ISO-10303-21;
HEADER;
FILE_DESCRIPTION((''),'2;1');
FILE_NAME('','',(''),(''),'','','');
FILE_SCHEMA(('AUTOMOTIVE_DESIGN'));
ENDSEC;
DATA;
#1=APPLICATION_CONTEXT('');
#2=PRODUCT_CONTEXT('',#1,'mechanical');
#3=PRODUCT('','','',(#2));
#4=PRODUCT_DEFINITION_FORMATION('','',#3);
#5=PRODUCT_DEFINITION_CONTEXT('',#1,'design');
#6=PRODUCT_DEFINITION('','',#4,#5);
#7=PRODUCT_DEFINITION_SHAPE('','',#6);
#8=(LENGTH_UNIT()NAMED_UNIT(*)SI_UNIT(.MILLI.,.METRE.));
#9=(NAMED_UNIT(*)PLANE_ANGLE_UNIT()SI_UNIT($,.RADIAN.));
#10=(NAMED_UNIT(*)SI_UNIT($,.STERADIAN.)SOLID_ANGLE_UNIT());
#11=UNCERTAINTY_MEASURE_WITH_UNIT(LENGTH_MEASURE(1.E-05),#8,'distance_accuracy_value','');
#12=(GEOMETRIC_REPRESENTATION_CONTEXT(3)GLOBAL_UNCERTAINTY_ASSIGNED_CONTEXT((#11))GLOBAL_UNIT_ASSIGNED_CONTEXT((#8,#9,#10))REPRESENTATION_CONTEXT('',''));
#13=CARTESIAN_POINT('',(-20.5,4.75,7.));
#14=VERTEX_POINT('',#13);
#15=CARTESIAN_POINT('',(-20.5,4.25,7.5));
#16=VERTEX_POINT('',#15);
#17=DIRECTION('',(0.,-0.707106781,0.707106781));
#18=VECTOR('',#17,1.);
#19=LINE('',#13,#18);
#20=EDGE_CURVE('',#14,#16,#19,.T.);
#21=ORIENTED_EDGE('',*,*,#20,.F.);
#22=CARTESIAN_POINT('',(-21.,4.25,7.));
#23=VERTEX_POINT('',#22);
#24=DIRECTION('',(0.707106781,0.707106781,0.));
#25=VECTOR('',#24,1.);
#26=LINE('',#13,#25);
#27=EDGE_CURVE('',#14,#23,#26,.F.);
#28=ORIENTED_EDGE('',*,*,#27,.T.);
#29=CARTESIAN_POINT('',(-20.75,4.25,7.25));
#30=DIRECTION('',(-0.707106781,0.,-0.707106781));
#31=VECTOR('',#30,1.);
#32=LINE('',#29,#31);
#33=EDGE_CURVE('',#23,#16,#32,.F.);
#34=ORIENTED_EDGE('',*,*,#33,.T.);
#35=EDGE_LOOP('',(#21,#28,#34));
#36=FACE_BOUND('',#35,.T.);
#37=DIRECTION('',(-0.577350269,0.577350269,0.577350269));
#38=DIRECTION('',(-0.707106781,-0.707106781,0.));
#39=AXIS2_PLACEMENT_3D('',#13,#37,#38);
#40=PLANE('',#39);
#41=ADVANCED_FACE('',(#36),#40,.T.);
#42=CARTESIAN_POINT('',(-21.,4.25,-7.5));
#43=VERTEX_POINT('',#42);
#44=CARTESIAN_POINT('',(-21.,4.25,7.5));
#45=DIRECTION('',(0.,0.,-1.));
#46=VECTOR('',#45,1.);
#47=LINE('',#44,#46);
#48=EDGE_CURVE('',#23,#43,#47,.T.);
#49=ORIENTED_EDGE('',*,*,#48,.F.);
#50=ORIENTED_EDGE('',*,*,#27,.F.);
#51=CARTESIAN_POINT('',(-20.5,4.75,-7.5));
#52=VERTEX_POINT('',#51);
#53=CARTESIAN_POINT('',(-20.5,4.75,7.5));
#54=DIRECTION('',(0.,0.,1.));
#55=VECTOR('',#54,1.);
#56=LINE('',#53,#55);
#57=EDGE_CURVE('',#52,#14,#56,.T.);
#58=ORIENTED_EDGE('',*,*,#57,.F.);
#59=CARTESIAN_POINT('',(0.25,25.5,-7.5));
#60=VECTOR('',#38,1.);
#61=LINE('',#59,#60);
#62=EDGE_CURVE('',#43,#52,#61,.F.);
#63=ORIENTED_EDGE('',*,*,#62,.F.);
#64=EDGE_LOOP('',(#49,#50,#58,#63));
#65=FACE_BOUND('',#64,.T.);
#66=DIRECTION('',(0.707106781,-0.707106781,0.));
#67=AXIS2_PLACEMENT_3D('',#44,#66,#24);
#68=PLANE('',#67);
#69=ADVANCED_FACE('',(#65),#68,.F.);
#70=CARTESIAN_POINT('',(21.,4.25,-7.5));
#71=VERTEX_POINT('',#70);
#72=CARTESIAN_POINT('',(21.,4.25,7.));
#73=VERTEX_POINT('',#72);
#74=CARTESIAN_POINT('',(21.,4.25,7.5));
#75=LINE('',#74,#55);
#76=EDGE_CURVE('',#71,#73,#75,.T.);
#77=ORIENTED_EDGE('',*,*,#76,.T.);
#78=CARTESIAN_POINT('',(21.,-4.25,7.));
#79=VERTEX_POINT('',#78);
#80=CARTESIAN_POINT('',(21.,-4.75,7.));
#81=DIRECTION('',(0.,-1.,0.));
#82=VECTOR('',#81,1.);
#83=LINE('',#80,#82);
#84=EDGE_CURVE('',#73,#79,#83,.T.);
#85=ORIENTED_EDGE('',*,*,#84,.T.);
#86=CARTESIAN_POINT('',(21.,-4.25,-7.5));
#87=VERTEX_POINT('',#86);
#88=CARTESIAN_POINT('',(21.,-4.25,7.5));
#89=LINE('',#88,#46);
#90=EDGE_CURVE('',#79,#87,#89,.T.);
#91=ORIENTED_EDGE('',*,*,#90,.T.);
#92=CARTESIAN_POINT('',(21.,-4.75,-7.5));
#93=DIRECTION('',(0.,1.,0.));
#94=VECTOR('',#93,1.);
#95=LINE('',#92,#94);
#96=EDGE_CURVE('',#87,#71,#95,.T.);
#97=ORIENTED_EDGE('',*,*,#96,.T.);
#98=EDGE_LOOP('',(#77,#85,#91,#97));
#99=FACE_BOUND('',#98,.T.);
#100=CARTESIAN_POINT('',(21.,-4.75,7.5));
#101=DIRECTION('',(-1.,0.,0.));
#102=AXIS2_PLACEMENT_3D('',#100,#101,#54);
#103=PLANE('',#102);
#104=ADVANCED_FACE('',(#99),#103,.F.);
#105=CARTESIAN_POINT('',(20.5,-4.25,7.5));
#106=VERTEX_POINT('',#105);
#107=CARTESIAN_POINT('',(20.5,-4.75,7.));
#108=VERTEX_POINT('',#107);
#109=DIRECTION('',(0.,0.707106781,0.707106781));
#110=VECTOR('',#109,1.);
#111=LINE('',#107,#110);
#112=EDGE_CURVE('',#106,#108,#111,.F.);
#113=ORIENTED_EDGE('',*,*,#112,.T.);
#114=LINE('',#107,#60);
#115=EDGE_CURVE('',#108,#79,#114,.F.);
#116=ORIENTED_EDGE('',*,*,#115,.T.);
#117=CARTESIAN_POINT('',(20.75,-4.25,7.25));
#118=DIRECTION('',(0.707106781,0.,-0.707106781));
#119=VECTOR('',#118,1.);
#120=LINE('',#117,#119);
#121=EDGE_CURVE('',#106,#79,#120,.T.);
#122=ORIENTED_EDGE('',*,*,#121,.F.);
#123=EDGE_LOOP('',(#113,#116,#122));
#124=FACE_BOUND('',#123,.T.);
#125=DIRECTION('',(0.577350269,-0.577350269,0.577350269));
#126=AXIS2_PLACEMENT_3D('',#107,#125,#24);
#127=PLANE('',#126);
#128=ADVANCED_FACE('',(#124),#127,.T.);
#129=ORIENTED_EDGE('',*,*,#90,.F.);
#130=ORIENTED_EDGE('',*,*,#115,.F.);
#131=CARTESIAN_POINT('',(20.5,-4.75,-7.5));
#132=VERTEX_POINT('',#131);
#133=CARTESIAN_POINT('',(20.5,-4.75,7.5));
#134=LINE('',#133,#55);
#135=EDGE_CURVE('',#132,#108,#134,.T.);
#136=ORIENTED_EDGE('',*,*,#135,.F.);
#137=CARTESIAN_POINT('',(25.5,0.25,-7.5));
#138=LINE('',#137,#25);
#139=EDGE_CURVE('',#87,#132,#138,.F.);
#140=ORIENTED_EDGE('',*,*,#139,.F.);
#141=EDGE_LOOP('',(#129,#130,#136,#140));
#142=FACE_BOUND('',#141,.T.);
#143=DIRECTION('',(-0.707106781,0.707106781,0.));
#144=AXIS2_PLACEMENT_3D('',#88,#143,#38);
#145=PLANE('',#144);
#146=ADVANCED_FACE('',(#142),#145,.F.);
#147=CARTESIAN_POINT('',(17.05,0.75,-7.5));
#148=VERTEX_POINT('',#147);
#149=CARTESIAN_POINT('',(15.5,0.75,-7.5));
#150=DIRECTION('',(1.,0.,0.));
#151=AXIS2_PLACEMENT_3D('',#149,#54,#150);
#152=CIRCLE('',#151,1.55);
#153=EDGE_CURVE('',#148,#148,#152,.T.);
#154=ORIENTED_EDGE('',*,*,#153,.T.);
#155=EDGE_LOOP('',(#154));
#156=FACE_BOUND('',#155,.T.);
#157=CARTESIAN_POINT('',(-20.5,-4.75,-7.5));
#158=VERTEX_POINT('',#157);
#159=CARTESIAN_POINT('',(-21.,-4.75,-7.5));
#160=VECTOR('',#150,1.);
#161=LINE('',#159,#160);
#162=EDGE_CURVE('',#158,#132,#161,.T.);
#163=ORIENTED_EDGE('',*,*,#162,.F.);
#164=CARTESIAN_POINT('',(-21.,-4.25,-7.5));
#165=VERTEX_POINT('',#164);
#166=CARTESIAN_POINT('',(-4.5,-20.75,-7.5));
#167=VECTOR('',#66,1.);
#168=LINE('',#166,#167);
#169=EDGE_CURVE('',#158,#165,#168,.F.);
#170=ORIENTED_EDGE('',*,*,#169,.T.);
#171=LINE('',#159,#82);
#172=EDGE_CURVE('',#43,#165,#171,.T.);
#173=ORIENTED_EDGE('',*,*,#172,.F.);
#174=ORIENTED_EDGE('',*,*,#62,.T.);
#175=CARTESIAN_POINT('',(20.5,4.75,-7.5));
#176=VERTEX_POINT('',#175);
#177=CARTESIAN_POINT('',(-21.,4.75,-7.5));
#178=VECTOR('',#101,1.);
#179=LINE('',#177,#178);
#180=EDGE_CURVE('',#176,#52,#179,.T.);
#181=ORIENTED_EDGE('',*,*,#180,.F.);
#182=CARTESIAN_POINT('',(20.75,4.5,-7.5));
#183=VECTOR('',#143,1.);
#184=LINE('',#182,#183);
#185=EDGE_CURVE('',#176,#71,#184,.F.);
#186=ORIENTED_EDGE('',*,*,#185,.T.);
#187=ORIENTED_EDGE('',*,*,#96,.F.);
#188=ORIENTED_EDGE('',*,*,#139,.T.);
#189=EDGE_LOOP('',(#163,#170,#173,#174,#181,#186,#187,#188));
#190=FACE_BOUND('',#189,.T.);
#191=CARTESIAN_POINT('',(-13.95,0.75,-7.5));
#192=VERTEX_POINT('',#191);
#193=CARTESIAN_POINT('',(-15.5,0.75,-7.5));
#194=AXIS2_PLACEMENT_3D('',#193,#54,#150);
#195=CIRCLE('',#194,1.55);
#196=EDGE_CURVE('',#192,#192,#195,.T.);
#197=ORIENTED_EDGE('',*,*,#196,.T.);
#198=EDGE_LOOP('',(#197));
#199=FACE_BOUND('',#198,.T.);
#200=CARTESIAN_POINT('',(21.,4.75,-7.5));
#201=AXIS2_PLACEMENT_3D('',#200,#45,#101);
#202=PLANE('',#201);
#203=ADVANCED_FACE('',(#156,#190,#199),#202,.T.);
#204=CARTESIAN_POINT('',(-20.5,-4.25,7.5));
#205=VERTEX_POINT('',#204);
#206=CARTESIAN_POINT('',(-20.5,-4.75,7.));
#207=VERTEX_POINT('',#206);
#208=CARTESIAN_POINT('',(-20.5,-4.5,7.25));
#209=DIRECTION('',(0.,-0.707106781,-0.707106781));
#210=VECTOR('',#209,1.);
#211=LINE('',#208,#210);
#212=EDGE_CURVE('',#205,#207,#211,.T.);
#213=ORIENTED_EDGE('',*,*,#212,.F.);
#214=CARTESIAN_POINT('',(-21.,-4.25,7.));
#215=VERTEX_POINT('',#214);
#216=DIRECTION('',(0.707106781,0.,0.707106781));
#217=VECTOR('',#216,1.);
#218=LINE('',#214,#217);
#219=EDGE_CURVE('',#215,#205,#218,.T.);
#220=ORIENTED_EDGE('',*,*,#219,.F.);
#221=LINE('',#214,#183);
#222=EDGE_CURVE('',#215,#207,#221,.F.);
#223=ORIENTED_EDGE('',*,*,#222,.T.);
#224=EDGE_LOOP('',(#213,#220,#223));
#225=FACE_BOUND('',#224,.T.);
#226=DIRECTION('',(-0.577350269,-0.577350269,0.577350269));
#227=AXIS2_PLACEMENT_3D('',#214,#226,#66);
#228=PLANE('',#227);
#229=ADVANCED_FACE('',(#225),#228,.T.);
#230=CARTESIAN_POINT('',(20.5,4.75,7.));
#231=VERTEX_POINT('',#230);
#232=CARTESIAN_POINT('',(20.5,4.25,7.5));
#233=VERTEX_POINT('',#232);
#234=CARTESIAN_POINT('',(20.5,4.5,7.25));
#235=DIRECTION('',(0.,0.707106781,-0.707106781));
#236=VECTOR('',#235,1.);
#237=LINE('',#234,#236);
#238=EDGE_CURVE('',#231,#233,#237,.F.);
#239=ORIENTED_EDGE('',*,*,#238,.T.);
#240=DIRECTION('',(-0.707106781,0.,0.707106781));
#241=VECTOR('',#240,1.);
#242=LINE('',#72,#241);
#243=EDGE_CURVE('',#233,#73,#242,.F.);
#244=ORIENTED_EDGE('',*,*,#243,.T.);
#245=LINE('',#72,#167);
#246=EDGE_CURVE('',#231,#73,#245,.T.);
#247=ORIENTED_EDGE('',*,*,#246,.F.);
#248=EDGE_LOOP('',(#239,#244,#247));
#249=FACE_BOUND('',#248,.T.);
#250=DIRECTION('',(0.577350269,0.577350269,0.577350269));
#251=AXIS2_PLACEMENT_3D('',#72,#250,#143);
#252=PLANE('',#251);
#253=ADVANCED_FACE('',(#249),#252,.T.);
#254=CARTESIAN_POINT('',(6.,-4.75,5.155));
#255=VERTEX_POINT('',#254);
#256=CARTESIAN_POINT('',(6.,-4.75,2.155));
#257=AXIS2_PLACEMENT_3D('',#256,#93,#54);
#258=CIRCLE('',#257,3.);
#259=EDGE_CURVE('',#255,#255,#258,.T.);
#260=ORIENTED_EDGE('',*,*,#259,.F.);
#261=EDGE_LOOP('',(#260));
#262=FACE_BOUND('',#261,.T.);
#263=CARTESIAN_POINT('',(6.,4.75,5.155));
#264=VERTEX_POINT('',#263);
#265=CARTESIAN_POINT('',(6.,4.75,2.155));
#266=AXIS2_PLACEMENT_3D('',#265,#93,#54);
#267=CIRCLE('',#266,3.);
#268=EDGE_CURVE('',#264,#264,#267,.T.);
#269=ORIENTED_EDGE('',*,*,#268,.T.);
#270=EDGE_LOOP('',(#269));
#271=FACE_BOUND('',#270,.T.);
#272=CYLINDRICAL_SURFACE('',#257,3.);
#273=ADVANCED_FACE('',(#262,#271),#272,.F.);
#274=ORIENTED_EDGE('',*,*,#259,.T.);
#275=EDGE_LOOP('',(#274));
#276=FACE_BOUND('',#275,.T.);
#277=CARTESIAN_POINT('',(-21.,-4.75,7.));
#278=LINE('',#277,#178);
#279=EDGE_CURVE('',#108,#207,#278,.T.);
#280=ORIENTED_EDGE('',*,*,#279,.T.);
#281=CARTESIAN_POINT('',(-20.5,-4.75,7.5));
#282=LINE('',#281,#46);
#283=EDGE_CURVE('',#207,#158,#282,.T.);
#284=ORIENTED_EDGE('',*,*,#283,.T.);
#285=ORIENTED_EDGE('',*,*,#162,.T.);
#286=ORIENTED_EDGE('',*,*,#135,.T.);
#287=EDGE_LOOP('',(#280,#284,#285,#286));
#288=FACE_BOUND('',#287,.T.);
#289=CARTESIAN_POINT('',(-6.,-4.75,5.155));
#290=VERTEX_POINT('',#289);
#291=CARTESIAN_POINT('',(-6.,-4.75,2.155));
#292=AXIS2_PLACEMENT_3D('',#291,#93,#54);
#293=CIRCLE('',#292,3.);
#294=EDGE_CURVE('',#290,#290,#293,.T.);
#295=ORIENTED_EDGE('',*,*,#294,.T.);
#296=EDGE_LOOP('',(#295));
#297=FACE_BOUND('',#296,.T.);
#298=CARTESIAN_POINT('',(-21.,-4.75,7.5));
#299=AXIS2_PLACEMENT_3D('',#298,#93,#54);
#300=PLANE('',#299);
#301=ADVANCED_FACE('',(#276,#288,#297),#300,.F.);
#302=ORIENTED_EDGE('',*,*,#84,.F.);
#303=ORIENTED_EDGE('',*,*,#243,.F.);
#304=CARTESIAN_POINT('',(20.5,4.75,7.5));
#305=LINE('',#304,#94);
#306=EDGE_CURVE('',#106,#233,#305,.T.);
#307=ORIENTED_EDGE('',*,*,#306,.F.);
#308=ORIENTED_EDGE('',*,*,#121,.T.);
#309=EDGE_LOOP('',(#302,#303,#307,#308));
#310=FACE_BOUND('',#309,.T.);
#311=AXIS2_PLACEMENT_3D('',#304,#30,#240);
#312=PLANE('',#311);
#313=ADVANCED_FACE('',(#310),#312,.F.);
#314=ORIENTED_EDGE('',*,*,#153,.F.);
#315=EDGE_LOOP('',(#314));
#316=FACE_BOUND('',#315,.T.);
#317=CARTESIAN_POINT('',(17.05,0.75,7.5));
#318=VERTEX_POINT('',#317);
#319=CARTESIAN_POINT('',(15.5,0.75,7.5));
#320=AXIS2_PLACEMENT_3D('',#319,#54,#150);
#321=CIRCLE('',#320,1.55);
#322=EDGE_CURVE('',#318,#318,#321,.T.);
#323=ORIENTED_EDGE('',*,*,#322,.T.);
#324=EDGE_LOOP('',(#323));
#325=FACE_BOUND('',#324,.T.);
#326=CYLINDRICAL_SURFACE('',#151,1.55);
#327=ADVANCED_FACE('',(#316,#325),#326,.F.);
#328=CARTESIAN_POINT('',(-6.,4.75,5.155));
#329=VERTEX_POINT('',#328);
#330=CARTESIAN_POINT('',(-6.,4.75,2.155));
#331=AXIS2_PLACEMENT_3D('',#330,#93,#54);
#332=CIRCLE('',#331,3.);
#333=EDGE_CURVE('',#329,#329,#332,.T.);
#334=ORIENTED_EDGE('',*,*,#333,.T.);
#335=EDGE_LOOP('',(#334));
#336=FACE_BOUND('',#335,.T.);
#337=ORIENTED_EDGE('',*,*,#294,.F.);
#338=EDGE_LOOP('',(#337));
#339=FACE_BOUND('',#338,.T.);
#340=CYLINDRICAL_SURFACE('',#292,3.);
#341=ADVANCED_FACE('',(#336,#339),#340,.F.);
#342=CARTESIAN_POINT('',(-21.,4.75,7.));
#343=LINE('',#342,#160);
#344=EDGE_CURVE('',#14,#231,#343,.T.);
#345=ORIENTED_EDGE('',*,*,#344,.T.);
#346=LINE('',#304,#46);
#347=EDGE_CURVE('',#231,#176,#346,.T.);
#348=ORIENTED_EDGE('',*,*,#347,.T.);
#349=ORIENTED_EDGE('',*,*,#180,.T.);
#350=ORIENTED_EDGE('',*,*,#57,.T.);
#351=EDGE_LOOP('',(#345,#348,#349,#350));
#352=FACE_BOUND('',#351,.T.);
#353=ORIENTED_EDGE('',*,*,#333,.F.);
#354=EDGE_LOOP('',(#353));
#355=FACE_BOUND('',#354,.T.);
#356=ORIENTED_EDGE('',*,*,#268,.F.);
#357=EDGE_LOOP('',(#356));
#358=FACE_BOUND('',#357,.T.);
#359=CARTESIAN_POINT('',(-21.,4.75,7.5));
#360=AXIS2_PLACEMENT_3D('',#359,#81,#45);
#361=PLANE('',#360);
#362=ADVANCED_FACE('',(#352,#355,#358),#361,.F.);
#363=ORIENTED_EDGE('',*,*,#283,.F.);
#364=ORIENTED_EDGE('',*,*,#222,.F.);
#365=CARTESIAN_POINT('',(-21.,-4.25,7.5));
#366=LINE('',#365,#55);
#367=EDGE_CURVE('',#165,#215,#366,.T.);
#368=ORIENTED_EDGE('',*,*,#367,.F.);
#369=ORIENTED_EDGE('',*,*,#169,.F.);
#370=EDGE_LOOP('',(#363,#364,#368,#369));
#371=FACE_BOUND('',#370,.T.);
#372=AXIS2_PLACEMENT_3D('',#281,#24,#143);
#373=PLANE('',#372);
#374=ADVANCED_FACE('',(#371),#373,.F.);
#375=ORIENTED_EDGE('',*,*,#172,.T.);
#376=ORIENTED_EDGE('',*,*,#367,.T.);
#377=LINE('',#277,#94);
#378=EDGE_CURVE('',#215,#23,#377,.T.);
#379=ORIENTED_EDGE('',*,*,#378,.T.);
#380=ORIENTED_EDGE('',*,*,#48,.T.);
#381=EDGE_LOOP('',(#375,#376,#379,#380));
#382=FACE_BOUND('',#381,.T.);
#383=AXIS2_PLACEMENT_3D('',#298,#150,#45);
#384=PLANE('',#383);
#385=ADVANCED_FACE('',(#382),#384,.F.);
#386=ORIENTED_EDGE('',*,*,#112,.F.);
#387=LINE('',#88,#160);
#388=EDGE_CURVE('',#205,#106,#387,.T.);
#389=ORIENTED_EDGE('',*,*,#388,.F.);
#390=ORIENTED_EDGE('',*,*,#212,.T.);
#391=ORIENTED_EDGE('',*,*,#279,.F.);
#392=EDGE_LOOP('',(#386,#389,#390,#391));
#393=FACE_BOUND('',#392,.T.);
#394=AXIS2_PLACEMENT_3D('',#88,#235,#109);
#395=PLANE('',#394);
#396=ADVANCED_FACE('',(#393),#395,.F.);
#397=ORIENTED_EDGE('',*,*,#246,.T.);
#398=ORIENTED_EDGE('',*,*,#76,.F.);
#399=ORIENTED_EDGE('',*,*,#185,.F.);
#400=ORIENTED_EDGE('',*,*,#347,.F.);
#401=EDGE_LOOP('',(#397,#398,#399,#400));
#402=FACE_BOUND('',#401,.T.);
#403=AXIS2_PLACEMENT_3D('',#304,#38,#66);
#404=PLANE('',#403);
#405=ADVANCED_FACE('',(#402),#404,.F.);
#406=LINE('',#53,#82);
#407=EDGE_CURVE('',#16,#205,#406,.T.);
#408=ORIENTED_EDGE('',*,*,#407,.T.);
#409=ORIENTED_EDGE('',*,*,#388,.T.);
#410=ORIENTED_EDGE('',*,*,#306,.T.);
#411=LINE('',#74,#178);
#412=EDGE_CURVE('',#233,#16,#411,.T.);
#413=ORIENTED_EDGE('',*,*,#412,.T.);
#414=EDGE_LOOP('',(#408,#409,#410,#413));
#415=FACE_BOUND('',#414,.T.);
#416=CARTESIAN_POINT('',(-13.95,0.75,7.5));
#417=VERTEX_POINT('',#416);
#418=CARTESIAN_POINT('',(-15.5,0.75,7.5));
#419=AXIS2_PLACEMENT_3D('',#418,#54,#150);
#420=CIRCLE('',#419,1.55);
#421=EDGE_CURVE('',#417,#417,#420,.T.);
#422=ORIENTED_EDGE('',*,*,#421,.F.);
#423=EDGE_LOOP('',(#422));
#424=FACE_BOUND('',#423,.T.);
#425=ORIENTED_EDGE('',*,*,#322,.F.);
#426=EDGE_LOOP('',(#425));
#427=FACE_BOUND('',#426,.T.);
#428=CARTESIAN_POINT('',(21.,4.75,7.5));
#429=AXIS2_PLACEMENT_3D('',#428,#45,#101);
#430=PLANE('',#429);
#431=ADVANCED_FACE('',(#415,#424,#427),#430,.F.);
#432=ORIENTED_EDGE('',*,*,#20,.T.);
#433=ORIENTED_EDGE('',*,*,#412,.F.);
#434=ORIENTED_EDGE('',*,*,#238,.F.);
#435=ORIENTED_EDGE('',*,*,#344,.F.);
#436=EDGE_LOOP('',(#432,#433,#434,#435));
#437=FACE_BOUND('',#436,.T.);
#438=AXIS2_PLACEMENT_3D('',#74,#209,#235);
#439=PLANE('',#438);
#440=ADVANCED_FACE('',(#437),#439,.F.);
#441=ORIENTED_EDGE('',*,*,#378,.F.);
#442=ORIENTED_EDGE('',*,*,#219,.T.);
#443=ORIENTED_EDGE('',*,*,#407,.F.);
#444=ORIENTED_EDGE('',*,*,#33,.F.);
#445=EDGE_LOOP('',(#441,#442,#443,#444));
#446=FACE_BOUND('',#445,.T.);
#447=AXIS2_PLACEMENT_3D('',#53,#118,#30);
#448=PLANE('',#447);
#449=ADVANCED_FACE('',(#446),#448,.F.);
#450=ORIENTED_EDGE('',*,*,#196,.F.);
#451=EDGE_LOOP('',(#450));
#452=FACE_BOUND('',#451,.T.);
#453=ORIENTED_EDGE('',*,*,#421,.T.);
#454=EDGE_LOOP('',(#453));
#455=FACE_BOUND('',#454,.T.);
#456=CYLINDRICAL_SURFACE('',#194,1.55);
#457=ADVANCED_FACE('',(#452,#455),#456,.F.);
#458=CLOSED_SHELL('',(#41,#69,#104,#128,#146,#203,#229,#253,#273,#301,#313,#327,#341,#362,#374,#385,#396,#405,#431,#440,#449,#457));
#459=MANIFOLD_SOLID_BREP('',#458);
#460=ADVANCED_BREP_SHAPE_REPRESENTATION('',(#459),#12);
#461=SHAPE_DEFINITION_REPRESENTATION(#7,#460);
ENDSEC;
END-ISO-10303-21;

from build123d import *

# Parameters (mm, degrees)
SKETCH1_W           = 42
SKETCH1_H           = 9.5
BOSS_EXTRUDE1_DEPTH = 7.5
SKETCH2_R           = 1.55
CUT_EXTRUDE1_DEPTH  = 16
SKETCH4_R           = 3
CUT_EXTRUDE2_DEPTH  = 10.5
CHAMFER3_SIZE       = 0.5


with BuildPart() as part:
    # Sketch1 → Boss-Extrude1 (new body, symmetric)
    with BuildSketch(Plane.XY):
        Rectangle(SKETCH1_W, SKETCH1_H)
    extrude(amount=BOSS_EXTRUDE1_DEPTH, both=True)

    # Sketch2 → Cut-Extrude1 (cut, through all)
    with BuildSketch(Plane.XY.offset(7.5)):
        with Locations((-15.5, 0.75)):
            Circle(SKETCH2_R)
        with Locations((15.5, 0.75)):
            Circle(SKETCH2_R)
    extrude(amount=-CUT_EXTRUDE1_DEPTH, mode=Mode.SUBTRACT)

    # Sketch4 → Cut-Extrude2 (cut, through all)
    with BuildSketch(Plane(origin=(0, 4.75, 0), x_dir=(1, 0, 0), z_dir=(0, 1, 0))):
        with Locations((6, -2.155)):
            Circle(SKETCH4_R)
        with Locations((-6, -2.155)):
            Circle(SKETCH4_R)
    extrude(amount=-CUT_EXTRUDE2_DEPTH, mode=Mode.SUBTRACT)

    # Chamfer3
    chamfer3_edges = [part.edges().sort_by_distance(p)[0] for p in [
        (-21, 0, 7.5),
        (0, -4.75, 7.5),
        (21, 0, 7.5),
        (0, 4.75, 7.5),
        (21, -4.75, 0),
        (-21, -4.75, 0),
        (-21, 4.75, 0),
        (21, 4.75, 0),
    ]]
    chamfer(chamfer3_edges, length=CHAMFER3_SIZE)


solid = part.part
